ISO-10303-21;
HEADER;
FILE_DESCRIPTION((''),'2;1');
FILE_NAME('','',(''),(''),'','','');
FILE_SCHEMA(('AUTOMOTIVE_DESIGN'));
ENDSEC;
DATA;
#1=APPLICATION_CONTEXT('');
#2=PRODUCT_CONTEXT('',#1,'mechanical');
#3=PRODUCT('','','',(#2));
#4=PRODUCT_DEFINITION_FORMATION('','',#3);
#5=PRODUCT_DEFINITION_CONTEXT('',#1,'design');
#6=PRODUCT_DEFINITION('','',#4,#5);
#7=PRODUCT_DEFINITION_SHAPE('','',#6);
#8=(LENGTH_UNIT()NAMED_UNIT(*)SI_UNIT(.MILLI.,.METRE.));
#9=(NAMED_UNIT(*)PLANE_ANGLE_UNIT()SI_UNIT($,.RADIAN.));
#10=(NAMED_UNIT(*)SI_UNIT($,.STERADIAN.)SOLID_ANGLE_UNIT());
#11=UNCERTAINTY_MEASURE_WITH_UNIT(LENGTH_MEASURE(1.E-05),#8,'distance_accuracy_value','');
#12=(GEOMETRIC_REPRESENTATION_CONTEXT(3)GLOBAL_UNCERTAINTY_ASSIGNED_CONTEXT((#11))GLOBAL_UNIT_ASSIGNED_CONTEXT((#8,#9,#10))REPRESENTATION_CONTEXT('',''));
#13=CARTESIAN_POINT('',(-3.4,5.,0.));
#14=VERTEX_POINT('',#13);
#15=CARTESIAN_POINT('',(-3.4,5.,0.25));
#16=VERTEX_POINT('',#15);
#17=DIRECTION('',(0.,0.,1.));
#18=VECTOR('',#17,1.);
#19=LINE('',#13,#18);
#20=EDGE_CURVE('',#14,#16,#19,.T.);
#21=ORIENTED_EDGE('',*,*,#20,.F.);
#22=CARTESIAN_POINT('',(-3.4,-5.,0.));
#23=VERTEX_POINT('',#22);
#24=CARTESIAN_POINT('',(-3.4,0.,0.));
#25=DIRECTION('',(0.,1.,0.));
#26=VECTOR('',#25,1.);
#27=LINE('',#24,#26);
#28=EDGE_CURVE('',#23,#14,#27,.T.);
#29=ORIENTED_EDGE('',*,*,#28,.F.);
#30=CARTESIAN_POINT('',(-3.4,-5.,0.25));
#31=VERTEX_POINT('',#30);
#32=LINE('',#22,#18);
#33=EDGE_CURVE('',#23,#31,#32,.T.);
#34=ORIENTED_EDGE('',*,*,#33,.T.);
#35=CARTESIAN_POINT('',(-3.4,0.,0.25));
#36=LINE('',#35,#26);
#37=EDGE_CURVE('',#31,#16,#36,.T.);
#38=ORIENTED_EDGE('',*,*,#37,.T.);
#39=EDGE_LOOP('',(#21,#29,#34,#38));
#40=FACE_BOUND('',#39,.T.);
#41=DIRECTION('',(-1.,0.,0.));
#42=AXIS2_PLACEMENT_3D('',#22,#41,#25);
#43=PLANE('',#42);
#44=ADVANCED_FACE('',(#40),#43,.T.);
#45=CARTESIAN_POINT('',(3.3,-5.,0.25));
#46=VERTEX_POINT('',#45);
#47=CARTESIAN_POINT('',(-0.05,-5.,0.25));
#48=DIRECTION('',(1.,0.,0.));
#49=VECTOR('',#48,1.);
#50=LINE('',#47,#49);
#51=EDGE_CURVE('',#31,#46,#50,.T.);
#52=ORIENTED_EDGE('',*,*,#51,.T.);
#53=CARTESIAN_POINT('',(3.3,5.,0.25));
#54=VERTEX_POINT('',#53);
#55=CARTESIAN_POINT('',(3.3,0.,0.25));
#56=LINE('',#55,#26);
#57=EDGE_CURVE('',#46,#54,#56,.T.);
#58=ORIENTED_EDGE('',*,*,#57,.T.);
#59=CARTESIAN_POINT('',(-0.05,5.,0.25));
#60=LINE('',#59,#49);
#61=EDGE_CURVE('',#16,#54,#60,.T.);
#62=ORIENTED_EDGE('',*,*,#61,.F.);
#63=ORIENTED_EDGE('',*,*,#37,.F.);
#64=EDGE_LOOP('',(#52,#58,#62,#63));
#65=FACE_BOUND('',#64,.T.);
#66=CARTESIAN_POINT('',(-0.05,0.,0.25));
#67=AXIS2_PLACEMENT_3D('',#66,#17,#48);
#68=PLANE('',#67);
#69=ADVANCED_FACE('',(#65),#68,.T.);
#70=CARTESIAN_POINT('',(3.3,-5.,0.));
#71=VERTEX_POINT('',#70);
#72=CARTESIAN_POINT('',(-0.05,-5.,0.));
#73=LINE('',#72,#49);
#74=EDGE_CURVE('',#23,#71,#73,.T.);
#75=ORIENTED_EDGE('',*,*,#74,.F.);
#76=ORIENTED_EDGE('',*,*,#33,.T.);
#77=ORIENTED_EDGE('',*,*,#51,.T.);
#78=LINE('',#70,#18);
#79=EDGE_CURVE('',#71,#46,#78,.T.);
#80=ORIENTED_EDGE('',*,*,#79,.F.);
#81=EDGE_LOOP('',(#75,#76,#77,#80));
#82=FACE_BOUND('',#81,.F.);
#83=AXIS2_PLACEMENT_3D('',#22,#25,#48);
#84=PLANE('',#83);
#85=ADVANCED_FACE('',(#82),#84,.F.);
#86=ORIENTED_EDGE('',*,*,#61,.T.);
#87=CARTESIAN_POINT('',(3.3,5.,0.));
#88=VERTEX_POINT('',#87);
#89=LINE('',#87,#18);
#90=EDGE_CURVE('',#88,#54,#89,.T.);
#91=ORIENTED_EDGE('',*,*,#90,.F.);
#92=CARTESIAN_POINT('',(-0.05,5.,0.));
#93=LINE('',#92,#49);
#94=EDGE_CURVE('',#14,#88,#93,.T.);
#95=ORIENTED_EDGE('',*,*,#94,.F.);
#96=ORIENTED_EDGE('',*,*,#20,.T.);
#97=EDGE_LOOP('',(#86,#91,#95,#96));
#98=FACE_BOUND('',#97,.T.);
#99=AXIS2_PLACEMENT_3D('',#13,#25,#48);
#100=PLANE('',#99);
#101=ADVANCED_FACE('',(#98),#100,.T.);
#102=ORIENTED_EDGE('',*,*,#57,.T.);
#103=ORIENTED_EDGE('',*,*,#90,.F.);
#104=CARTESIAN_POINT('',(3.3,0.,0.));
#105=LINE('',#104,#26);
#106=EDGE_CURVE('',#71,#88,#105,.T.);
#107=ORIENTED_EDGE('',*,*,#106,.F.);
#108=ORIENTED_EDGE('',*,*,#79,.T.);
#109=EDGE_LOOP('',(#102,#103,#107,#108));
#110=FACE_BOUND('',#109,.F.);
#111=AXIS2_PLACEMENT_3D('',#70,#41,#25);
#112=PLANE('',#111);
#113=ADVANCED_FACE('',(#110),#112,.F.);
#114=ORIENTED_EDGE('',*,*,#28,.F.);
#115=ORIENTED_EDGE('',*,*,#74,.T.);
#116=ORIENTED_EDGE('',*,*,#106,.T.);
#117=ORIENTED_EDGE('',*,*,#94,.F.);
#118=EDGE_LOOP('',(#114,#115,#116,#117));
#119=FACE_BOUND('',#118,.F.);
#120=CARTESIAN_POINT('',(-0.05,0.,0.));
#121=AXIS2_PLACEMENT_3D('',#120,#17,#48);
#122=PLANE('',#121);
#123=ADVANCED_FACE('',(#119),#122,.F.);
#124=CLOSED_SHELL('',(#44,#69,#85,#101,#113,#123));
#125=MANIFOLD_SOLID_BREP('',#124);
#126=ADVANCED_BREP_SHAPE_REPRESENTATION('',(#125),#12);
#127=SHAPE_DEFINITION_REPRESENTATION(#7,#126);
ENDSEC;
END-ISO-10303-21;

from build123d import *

# Parameters (mm, degrees)
SKETCH_W  = 6.7
SKETCH_H  = 10
PAD_DEPTH = 0.25


with BuildPart() as part:
    # Sketch → Pad (new body)
    with BuildSketch(Plane.XY):
        with Locations((-0.05, 0)):
            Rectangle(SKETCH_W, SKETCH_H)
    extrude(amount=PAD_DEPTH)


solid = part.part
